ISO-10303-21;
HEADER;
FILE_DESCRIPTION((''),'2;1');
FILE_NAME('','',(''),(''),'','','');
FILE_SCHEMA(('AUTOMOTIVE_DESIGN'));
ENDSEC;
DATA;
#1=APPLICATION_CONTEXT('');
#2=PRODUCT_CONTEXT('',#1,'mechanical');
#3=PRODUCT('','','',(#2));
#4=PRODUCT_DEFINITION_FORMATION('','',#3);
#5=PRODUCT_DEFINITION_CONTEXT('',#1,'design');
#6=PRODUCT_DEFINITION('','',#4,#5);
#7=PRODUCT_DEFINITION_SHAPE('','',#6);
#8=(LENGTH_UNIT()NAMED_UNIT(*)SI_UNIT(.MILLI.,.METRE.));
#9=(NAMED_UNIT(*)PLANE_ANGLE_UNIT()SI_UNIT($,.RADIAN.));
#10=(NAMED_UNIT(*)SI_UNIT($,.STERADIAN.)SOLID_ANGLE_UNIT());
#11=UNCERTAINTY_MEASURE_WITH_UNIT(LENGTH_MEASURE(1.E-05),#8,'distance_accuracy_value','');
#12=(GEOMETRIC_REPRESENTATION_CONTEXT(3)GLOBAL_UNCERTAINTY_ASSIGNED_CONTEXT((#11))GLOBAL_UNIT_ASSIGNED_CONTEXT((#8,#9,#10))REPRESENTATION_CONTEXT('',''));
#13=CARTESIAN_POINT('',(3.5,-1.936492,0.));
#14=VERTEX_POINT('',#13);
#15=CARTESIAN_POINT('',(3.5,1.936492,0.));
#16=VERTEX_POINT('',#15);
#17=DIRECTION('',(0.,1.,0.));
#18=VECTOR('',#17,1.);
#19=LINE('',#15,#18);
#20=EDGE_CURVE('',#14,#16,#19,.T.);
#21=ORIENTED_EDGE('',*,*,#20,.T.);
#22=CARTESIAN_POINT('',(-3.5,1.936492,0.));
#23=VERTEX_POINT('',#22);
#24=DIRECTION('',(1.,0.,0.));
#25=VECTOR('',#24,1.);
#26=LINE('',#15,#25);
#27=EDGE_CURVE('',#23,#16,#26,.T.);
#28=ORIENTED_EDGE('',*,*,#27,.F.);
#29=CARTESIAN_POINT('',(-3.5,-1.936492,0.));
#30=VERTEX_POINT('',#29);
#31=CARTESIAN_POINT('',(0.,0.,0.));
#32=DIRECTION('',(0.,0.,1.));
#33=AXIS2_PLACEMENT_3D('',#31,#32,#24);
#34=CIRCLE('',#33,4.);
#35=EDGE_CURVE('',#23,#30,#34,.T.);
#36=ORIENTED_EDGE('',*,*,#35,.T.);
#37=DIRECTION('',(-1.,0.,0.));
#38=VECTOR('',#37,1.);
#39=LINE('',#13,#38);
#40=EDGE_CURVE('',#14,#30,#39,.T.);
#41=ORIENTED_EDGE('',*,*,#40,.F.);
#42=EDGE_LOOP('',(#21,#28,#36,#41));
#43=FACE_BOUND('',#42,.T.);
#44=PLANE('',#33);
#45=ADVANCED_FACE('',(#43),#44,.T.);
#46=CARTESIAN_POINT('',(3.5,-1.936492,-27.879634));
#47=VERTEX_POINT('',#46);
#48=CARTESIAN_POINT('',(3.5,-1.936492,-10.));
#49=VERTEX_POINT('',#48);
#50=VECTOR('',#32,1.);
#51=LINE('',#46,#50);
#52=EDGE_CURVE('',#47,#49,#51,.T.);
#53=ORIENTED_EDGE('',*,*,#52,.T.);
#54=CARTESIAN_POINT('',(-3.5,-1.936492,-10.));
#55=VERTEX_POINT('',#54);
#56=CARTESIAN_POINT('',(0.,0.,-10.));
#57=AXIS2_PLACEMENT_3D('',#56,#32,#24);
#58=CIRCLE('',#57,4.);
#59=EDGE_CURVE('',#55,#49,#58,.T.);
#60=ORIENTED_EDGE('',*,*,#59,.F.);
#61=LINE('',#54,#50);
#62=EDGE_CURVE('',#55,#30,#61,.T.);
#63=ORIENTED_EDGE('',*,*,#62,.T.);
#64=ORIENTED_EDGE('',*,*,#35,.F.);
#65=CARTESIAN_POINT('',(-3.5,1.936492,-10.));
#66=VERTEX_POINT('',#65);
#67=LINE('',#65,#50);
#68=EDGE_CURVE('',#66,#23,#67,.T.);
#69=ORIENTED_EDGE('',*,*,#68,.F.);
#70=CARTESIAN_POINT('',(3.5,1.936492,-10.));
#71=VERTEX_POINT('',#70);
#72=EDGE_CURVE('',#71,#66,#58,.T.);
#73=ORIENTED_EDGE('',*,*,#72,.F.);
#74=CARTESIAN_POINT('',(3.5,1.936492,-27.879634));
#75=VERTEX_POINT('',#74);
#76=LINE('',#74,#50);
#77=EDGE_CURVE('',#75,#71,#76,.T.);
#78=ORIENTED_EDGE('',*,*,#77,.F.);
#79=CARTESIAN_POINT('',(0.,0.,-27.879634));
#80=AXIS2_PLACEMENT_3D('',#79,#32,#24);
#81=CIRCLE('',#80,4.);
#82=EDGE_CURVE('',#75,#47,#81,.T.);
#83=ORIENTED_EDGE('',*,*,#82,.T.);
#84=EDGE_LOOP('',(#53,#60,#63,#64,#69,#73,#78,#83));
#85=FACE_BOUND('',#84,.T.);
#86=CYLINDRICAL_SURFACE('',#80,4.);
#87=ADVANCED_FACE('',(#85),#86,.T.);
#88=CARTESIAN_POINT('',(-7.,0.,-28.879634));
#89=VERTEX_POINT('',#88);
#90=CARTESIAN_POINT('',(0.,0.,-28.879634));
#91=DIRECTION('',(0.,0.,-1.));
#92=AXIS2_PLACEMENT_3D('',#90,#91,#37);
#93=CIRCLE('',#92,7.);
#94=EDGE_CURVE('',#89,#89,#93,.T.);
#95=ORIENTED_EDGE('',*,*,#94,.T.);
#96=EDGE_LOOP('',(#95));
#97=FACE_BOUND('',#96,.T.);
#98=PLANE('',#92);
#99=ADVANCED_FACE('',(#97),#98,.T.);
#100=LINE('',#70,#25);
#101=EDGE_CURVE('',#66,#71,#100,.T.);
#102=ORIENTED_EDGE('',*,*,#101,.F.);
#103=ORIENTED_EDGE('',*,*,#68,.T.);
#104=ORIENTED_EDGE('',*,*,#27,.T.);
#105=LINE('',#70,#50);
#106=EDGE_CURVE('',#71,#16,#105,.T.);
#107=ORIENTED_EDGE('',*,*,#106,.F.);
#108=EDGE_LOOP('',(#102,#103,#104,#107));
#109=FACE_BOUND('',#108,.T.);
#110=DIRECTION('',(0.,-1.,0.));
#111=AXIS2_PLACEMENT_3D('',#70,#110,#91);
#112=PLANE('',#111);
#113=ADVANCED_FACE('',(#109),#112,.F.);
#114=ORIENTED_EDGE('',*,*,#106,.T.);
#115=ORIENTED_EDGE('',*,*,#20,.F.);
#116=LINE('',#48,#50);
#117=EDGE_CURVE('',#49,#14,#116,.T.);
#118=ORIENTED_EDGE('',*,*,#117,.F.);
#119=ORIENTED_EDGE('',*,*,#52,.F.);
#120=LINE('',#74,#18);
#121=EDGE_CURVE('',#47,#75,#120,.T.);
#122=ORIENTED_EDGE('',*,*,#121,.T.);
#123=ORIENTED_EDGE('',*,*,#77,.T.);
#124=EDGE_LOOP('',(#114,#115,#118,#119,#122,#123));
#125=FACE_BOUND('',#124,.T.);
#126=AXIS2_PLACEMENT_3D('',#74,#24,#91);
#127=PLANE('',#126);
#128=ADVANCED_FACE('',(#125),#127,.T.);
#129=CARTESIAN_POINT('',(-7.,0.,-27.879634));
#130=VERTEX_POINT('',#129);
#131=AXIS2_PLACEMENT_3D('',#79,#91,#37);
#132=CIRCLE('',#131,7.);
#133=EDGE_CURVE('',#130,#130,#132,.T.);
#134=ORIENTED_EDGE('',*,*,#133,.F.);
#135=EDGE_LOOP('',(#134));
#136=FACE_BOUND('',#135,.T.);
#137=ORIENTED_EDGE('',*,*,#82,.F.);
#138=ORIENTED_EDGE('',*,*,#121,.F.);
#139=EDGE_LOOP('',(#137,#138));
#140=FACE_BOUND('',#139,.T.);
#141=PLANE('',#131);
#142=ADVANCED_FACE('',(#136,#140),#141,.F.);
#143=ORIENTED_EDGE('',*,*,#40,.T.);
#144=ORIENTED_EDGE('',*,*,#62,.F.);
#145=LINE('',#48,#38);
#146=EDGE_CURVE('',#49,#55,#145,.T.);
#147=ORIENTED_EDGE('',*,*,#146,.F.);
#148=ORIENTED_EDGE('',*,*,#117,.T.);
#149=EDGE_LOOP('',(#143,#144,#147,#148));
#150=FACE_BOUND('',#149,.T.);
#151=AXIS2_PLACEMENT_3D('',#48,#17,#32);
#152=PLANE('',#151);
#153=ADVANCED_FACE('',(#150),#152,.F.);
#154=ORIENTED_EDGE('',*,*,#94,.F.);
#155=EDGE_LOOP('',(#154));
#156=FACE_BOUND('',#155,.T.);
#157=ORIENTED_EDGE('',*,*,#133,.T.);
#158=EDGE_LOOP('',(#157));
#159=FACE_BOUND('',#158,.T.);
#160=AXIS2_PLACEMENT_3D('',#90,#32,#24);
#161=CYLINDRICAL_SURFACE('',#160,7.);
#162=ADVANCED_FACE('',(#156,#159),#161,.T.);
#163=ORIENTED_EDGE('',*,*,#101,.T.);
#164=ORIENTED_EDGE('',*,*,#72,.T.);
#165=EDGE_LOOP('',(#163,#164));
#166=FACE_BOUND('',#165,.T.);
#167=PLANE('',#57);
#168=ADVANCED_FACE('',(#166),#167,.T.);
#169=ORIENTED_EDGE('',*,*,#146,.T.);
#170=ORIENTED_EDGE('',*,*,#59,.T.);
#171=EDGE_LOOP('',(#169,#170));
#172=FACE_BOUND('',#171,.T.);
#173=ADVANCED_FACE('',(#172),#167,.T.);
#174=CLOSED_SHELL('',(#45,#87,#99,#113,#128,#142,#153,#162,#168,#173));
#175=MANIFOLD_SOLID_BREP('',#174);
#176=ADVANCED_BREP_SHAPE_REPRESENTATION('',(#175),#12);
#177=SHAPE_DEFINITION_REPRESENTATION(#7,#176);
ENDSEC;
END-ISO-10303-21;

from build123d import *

# Parameters (mm, degrees)
BOSS_EXTRUDE1_DEPTH = 27.8796339
CUT_EXTRUDE1_DEPTH  = 10
SKETCH3_R           = 7
BOSS_EXTRUDE2_DEPTH = 1


with BuildPart() as part:
    # Sketch1 → Boss-Extrude1 (new body)
    with BuildSketch(Plane.XY):
        with BuildLine():
            Line((3.5, 1.936491673), (3.5, -1.936491673))
            ThreePointArc((3.5, -1.936491673), (-4, 0), (3.5, 1.936491673))
        make_face()
    extrude(amount=-BOSS_EXTRUDE1_DEPTH)

    # Sketch2 → Cut-Extrude1 (cut)
    with BuildSketch(Plane.XY):
        with BuildLine():
            Line((3.5, 1.936491673), (-3.5, 1.936491673))
            ThreePointArc((-3.5, 1.936491673), (0, 4), (3.5, 1.936491673))
        make_face()
        with BuildLine():
            Line((3.5, -1.936491673), (-3.5, -1.936491673))
            ThreePointArc((-3.5, -1.936491673), (0, -4), (3.5, -1.936491673))
        make_face()
    extrude(amount=-CUT_EXTRUDE1_DEPTH, mode=Mode.SUBTRACT)

    # Sketch3 → Boss-Extrude2 (add)
    with BuildSketch(Plane(origin=(0, 0, -27.8796339), x_dir=(-1, 0, 0), z_dir=(0, 0, -1))):
        Circle(SKETCH3_R)
    extrude(amount=BOSS_EXTRUDE2_DEPTH)


solid = part.part
